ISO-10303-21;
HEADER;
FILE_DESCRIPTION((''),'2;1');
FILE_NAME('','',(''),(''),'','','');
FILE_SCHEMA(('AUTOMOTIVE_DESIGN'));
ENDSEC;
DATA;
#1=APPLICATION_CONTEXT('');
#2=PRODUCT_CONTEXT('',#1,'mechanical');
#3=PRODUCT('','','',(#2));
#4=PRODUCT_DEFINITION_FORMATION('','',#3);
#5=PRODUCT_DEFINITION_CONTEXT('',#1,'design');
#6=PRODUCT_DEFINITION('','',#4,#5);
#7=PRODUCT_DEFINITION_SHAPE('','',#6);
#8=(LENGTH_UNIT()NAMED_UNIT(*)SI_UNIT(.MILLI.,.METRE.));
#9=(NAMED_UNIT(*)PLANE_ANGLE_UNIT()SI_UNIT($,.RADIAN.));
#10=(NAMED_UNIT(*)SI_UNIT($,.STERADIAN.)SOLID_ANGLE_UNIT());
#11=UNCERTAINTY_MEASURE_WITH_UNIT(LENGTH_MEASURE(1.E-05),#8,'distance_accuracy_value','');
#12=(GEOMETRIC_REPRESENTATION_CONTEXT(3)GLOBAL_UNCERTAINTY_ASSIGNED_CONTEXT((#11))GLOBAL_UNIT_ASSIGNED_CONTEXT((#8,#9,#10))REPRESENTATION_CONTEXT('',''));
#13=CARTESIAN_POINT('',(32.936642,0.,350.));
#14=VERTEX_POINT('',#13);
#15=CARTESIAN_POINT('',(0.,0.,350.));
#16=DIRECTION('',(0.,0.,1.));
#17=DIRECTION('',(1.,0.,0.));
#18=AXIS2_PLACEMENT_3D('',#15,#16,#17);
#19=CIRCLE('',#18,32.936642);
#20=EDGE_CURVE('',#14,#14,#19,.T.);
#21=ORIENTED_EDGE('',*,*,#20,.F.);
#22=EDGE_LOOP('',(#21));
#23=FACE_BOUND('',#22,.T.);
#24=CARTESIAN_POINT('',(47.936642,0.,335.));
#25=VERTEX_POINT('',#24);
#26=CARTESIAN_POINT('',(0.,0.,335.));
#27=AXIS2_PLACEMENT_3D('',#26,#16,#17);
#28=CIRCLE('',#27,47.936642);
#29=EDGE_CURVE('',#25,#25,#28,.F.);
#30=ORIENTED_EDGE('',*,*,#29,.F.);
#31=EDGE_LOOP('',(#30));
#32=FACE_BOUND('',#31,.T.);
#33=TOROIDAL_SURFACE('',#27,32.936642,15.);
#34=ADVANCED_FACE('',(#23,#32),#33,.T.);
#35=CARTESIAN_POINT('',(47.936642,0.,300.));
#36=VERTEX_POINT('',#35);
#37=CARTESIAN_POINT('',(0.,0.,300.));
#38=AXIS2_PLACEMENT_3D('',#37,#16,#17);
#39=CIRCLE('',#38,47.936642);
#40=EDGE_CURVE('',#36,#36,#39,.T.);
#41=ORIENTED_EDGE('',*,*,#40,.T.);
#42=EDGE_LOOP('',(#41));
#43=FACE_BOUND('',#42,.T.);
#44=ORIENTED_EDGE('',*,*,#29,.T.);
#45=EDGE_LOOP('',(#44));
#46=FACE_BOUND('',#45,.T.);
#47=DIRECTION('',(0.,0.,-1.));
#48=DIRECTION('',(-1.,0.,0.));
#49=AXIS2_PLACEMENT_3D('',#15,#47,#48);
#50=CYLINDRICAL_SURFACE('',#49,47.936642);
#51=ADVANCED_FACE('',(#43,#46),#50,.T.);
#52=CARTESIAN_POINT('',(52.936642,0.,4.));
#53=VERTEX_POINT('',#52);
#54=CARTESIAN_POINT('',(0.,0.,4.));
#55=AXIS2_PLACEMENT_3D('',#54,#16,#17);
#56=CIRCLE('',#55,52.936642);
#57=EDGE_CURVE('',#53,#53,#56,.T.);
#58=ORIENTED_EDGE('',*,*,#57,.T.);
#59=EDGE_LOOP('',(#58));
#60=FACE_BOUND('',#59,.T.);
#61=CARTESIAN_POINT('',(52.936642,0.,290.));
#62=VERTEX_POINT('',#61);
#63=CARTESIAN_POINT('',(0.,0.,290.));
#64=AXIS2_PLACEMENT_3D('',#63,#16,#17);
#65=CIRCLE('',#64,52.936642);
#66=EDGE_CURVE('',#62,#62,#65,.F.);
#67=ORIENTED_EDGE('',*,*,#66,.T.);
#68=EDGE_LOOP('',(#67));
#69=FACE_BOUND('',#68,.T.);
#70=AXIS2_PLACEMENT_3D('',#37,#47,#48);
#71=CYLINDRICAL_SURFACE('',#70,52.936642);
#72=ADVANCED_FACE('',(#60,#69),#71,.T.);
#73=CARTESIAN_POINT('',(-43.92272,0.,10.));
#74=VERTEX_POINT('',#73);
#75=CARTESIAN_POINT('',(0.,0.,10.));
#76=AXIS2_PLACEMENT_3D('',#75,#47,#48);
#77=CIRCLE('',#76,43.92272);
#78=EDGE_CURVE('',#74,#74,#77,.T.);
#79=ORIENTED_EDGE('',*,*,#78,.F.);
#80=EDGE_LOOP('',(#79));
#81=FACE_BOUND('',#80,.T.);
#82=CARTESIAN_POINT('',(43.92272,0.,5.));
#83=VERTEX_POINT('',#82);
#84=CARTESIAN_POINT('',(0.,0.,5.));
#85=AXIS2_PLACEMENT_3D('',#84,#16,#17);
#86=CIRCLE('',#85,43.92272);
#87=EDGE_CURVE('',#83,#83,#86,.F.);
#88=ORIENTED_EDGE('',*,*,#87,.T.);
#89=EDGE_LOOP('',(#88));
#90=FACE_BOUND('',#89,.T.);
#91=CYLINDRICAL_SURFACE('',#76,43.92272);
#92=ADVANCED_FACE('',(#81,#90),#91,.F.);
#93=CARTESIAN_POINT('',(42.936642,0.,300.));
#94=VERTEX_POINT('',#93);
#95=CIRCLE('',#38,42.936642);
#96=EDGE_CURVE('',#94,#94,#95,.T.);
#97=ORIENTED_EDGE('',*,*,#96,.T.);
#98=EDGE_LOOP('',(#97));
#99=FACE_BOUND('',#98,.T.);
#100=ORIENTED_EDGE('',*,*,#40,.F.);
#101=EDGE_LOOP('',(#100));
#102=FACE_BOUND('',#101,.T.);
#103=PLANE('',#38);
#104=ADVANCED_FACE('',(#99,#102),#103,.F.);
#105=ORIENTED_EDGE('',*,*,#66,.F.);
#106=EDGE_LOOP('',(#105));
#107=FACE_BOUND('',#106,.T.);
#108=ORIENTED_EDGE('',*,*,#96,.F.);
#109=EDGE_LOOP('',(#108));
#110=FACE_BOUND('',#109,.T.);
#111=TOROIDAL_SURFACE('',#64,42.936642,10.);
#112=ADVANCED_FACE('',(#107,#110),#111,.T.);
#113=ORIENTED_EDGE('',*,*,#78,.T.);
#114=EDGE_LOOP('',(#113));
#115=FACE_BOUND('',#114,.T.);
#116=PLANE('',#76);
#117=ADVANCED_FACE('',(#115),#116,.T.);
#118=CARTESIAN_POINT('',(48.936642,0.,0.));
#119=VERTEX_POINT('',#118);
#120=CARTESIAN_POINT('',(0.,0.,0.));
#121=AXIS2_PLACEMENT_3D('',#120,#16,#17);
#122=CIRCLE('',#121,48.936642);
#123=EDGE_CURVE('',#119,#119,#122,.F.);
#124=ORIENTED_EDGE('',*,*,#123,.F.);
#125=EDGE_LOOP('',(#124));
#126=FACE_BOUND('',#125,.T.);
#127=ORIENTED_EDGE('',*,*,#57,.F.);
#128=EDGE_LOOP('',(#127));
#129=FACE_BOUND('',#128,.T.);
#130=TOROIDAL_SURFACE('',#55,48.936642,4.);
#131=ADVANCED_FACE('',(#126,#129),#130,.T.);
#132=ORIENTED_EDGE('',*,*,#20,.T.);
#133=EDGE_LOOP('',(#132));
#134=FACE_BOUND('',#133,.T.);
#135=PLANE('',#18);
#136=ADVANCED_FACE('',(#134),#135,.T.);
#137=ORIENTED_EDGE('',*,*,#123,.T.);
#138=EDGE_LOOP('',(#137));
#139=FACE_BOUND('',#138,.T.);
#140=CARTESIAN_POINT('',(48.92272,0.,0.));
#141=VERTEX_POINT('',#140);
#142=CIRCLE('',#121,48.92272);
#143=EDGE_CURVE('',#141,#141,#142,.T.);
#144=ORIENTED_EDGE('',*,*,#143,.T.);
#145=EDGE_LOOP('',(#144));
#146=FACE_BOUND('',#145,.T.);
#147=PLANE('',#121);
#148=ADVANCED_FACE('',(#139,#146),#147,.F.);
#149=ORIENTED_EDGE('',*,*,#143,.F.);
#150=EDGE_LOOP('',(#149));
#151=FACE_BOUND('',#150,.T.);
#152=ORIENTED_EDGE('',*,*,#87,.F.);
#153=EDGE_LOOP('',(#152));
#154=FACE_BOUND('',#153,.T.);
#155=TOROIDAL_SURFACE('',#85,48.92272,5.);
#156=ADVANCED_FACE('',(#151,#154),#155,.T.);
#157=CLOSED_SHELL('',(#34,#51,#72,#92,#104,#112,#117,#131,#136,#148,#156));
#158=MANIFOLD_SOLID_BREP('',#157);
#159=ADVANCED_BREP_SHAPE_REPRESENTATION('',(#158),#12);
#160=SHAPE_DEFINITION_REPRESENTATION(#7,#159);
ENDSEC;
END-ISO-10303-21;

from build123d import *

# Parameters (mm, degrees)
SKETCH1_R           = 52.936641772
BOSS_EXTRUDE1_DEPTH = 300
FILLET1_R           = 10
SKETCH2_R           = 47.936641772
BOSS_EXTRUDE2_DEPTH = 50
FILLET2_R           = 15
SKETCH3_R           = 43.922720163
CUT_EXTRUDE1_DEPTH  = 10
FILLET3_R           = 5
FILLET4_R           = 4


with BuildPart() as part:
    # Sketch1 → Boss-Extrude1 (new body)
    with BuildSketch(Plane.XY):
        Circle(SKETCH1_R)
    extrude(amount=BOSS_EXTRUDE1_DEPTH)

    # Fillet1
    fillet1_edges = [part.edges().sort_by_distance(p)[0] for p in [
        (-52.936641772, 0, 300),
    ]]
    fillet(fillet1_edges, radius=FILLET1_R)

    # Sketch2 → Boss-Extrude2 (add)
    with BuildSketch(Plane.XY.offset(300)):
        Circle(SKETCH2_R)
    extrude(amount=BOSS_EXTRUDE2_DEPTH)

    # Fillet2
    fillet2_edges = [part.edges().sort_by_distance(p)[0] for p in [
        (-47.936641772, 0, 350),
    ]]
    fillet(fillet2_edges, radius=FILLET2_R)

    # Sketch3 → Cut-Extrude1 (cut)
    with BuildSketch(Plane(origin=(0, 0, 0), x_dir=(-1, 0, 0), z_dir=(0, 0, -1))):
        Circle(SKETCH3_R)
    extrude(amount=-CUT_EXTRUDE1_DEPTH, mode=Mode.SUBTRACT)

    # Fillet3
    fillet3_edges = [part.edges().sort_by_distance(p)[0] for p in [
        (43.922720163, 0, 0),
    ]]
    fillet(fillet3_edges, radius=FILLET3_R)

    # Fillet4
    fillet4_edges = [part.edges().sort_by_distance(p)[0] for p in [
        (-52.936641772, 0, 0),
    ]]
    fillet(fillet4_edges, radius=FILLET4_R)


solid = part.part
